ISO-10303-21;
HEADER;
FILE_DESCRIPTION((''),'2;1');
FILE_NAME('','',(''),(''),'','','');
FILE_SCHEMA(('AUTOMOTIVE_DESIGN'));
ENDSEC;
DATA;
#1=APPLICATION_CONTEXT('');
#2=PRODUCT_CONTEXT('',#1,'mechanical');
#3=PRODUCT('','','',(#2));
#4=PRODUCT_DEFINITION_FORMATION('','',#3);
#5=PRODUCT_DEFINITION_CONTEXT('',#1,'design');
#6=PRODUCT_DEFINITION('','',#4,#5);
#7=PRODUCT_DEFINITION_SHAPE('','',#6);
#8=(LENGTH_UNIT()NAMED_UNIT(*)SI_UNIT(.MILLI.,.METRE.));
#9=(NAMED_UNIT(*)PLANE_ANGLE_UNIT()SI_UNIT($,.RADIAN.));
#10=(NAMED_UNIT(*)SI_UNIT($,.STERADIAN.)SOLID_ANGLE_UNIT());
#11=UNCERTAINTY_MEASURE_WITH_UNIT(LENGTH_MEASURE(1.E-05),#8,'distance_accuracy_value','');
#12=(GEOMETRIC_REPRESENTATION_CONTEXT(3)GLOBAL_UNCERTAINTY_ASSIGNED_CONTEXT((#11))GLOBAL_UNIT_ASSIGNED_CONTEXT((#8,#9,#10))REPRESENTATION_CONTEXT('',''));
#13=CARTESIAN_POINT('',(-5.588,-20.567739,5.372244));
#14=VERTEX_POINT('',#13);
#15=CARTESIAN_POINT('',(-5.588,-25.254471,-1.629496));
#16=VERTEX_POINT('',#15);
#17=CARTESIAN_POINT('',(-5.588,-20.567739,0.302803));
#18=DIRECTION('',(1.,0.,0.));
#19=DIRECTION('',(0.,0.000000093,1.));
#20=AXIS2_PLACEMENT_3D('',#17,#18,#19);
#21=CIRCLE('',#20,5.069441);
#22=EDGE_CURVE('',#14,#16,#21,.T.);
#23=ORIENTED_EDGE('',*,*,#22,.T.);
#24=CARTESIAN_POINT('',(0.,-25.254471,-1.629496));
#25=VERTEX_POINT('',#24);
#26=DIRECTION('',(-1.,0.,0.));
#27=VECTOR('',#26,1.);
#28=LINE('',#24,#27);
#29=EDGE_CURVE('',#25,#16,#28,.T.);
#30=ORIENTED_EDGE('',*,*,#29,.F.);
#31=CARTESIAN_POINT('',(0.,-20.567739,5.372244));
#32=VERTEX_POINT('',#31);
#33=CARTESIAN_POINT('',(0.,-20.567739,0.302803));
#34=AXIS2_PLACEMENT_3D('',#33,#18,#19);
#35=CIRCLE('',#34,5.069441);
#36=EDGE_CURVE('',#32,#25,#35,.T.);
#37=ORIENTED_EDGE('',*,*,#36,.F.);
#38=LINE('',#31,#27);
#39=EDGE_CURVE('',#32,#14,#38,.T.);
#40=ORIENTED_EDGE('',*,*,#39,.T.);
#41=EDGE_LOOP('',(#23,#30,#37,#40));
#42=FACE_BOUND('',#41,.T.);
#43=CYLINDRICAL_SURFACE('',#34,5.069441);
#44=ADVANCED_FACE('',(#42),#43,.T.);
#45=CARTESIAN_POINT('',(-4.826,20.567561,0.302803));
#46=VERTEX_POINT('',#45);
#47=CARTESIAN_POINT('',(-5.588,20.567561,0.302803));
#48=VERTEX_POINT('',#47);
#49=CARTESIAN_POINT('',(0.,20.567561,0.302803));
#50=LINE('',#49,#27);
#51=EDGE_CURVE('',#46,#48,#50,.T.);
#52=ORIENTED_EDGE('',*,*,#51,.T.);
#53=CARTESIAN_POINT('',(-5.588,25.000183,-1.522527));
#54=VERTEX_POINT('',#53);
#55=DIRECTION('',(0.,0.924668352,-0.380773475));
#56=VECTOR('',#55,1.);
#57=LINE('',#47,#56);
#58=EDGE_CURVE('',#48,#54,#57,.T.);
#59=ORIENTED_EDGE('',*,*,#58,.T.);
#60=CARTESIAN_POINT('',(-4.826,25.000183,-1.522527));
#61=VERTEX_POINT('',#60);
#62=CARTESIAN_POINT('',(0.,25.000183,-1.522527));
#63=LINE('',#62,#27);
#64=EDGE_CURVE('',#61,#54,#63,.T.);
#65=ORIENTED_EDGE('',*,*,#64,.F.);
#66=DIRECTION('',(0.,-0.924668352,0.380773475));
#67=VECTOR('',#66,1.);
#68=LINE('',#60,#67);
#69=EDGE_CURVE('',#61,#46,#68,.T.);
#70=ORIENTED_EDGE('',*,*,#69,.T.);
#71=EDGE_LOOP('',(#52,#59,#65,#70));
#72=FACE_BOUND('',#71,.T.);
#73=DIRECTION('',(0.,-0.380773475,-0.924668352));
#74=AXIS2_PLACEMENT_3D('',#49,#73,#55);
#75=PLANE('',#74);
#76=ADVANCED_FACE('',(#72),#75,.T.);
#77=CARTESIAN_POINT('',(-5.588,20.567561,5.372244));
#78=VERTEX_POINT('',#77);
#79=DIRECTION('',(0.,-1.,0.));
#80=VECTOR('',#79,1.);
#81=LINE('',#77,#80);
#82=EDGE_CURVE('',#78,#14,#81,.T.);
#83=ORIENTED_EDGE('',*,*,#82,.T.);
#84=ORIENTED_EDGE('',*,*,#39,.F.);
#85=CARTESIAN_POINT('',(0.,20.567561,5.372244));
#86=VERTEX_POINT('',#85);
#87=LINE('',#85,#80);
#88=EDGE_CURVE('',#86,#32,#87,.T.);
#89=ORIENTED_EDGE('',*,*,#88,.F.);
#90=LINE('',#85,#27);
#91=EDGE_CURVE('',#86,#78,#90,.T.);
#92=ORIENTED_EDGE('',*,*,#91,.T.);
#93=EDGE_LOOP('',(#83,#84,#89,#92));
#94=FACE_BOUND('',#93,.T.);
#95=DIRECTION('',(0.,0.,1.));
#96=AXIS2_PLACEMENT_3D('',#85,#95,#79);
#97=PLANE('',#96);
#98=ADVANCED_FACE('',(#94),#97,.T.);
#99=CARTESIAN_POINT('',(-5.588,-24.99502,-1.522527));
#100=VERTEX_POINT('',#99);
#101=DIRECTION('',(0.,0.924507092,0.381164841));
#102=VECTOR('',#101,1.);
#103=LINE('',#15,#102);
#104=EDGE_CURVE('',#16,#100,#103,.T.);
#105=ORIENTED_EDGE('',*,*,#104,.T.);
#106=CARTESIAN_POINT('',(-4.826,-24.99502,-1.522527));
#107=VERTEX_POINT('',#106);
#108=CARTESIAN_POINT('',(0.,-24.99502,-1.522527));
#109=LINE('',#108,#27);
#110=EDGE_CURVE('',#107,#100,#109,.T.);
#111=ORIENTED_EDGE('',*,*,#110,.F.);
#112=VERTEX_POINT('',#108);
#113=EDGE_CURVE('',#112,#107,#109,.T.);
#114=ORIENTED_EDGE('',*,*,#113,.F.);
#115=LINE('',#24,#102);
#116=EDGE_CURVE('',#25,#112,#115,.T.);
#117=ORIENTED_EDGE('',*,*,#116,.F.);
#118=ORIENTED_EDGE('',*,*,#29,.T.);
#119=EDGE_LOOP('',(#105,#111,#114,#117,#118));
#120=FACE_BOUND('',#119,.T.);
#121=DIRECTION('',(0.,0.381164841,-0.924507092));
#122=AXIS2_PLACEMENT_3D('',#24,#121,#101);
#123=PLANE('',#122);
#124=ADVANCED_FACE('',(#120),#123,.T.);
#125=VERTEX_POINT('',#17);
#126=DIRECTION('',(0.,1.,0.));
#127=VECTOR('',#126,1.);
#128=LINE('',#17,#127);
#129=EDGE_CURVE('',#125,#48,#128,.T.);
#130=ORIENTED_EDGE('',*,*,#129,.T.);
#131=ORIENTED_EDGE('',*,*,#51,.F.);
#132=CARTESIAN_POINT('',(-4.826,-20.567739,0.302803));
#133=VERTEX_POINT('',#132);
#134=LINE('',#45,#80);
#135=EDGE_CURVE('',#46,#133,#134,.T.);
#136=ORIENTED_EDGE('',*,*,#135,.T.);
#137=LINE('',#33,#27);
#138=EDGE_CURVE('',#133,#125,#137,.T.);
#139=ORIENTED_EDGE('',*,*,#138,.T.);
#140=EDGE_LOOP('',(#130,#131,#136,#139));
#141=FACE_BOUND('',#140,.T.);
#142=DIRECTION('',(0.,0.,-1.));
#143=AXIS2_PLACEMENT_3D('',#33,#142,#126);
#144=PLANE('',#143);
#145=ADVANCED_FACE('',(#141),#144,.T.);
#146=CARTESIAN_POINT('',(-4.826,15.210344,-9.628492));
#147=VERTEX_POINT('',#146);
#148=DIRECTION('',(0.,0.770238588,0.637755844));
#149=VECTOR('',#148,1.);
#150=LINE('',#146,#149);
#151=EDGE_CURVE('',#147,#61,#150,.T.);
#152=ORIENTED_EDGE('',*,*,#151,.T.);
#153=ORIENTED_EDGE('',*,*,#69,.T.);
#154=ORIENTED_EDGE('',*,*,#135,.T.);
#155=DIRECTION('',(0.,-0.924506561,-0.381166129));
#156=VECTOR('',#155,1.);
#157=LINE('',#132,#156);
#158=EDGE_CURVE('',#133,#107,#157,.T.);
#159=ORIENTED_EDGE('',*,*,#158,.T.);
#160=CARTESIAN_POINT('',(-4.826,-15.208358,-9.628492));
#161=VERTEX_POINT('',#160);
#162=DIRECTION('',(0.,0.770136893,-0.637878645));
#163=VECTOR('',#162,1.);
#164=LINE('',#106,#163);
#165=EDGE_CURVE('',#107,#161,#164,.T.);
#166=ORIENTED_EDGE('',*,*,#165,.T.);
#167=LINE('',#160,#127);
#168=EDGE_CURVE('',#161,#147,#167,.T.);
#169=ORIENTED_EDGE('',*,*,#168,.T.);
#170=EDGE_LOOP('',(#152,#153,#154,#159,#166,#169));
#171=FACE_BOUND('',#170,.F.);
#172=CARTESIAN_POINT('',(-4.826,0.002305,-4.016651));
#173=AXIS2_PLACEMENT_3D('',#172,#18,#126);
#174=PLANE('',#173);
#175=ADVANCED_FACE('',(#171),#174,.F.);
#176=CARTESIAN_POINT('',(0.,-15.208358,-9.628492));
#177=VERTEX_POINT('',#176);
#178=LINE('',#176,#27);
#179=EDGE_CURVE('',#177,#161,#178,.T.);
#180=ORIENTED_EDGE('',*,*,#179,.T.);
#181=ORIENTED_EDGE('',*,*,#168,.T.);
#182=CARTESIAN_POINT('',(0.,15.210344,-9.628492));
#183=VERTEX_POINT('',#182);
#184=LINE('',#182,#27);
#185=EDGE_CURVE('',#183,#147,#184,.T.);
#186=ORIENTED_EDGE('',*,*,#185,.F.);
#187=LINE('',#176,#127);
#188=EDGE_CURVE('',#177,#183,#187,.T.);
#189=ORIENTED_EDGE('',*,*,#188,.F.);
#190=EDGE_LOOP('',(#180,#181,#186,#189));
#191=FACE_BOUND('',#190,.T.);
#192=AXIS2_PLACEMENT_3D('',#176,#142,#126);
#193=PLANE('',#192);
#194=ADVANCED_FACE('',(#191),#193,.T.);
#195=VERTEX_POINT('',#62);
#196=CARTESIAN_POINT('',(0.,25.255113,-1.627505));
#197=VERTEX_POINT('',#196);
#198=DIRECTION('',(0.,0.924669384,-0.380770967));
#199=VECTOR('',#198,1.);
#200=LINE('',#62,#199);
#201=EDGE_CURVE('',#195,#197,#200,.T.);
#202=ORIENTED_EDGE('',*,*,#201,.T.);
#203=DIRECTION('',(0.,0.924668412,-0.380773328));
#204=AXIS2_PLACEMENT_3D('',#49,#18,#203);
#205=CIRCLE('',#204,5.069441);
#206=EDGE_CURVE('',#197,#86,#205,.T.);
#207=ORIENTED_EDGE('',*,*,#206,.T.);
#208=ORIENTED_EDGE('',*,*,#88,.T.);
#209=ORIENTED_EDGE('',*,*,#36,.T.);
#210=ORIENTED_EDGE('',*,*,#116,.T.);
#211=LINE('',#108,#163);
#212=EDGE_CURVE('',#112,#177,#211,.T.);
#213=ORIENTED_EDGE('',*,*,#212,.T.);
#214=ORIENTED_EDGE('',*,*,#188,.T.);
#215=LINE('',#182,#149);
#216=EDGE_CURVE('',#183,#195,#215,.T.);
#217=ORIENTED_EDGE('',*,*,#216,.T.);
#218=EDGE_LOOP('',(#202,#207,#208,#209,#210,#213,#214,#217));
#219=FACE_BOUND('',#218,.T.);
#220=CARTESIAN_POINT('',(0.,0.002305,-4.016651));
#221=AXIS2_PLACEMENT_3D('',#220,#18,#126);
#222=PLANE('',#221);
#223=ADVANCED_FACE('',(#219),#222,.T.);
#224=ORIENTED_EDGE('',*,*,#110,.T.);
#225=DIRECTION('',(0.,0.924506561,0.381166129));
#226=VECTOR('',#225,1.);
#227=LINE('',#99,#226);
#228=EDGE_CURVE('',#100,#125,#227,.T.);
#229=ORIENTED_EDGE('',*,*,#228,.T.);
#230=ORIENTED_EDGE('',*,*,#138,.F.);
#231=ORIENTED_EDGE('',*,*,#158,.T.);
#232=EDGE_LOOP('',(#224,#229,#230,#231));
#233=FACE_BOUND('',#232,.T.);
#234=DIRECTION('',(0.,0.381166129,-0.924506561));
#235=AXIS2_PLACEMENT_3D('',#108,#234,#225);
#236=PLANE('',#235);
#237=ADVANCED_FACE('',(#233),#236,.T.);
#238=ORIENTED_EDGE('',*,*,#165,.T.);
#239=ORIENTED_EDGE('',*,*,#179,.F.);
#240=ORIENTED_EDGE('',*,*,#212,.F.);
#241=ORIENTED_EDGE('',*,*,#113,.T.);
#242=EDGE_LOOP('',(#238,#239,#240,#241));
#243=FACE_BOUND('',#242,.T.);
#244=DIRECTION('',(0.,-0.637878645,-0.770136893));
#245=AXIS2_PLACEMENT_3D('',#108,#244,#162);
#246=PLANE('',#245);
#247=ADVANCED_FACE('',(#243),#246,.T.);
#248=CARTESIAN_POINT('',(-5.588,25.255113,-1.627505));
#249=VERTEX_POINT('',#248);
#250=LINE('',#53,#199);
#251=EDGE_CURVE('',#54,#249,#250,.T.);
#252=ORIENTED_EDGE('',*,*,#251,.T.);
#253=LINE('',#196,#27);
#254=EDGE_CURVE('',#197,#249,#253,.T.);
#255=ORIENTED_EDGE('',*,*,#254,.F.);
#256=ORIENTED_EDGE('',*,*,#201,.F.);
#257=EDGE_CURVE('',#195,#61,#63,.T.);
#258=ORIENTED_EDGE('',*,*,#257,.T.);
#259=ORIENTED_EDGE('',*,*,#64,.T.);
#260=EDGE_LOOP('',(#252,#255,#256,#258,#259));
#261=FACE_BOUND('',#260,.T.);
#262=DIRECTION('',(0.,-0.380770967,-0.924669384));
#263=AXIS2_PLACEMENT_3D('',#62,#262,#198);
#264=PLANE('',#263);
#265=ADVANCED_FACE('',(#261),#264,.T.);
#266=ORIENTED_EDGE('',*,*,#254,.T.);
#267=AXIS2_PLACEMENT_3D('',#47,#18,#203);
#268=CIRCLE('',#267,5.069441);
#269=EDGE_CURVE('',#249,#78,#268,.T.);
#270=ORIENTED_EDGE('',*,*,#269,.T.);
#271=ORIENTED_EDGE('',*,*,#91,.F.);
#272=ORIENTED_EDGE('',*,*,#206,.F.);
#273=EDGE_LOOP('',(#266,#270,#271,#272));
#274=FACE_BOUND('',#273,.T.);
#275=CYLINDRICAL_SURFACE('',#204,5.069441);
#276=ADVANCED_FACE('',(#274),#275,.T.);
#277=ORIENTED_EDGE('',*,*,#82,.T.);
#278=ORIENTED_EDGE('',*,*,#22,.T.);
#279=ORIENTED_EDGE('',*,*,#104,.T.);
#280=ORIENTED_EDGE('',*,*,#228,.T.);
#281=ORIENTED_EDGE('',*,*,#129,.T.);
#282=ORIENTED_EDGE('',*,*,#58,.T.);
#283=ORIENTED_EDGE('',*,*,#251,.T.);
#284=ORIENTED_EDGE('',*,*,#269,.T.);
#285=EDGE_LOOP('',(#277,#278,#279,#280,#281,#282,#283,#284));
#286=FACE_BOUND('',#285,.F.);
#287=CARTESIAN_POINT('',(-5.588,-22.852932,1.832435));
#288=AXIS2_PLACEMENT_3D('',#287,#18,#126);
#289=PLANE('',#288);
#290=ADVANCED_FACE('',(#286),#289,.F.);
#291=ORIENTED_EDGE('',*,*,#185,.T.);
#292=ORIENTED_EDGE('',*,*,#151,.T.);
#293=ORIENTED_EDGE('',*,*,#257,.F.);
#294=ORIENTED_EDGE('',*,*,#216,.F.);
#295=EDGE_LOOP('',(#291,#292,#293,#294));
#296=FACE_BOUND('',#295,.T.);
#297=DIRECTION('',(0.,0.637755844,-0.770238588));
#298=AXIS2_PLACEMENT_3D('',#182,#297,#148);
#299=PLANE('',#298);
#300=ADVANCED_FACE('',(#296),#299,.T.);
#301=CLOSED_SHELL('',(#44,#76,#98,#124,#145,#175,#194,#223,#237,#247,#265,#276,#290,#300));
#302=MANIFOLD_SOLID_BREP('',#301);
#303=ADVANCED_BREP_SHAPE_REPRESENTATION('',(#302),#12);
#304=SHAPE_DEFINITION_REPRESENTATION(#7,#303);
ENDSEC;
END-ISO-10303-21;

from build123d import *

# Parameters (mm, degrees)
F1_DEPTH = 5.588
F2_DEPTH = 4.826


with BuildPart() as f1:
    # F0 (on Right) → F1 (new body)
    with BuildSketch(Plane.YZ):
        with BuildLine():
            Line((-20.567739, 0.302803), (-20.567739, 5.372244))
            ThreePointArc((-20.567739, 5.372244), (-24.780512, 3.122693), (-25.254471, -1.629496))
            Line((-25.254471, -1.629496), (-24.99502, -1.522527))
            Line((-24.99502, -1.522527), (-20.567739, 0.302803))
        make_face()
        Polygon((20.567561, 5.372244), (-0.006439, 5.372244), (-20.567739, 5.372244), (-20.567739, 0.302803), (20.567561, 0.302803), align=None)
        with BuildLine():
            ThreePointArc((25.255113, -1.627505), (24.779735, 3.123587), (20.567561, 5.372244))
            Line((20.567561, 5.372244), (20.567561, 0.302803))
            Line((20.567561, 0.302803), (25.000183, -1.522527))
            Line((25.000183, -1.522527), (25.255113, -1.627505))
        make_face()
    extrude(amount=-F1_DEPTH)

    # F0 (on Right) → F2 (join)
    with BuildSketch(Plane.YZ):
        Polygon((20.567561, 0.302803), (-20.567739, 0.302803), (-24.99502, -1.522527), (-15.208358, -9.628492), (15.210344, -9.628492), (25.000183, -1.522527), align=None)
    extrude(amount=-F2_DEPTH)


solid = f1.part
